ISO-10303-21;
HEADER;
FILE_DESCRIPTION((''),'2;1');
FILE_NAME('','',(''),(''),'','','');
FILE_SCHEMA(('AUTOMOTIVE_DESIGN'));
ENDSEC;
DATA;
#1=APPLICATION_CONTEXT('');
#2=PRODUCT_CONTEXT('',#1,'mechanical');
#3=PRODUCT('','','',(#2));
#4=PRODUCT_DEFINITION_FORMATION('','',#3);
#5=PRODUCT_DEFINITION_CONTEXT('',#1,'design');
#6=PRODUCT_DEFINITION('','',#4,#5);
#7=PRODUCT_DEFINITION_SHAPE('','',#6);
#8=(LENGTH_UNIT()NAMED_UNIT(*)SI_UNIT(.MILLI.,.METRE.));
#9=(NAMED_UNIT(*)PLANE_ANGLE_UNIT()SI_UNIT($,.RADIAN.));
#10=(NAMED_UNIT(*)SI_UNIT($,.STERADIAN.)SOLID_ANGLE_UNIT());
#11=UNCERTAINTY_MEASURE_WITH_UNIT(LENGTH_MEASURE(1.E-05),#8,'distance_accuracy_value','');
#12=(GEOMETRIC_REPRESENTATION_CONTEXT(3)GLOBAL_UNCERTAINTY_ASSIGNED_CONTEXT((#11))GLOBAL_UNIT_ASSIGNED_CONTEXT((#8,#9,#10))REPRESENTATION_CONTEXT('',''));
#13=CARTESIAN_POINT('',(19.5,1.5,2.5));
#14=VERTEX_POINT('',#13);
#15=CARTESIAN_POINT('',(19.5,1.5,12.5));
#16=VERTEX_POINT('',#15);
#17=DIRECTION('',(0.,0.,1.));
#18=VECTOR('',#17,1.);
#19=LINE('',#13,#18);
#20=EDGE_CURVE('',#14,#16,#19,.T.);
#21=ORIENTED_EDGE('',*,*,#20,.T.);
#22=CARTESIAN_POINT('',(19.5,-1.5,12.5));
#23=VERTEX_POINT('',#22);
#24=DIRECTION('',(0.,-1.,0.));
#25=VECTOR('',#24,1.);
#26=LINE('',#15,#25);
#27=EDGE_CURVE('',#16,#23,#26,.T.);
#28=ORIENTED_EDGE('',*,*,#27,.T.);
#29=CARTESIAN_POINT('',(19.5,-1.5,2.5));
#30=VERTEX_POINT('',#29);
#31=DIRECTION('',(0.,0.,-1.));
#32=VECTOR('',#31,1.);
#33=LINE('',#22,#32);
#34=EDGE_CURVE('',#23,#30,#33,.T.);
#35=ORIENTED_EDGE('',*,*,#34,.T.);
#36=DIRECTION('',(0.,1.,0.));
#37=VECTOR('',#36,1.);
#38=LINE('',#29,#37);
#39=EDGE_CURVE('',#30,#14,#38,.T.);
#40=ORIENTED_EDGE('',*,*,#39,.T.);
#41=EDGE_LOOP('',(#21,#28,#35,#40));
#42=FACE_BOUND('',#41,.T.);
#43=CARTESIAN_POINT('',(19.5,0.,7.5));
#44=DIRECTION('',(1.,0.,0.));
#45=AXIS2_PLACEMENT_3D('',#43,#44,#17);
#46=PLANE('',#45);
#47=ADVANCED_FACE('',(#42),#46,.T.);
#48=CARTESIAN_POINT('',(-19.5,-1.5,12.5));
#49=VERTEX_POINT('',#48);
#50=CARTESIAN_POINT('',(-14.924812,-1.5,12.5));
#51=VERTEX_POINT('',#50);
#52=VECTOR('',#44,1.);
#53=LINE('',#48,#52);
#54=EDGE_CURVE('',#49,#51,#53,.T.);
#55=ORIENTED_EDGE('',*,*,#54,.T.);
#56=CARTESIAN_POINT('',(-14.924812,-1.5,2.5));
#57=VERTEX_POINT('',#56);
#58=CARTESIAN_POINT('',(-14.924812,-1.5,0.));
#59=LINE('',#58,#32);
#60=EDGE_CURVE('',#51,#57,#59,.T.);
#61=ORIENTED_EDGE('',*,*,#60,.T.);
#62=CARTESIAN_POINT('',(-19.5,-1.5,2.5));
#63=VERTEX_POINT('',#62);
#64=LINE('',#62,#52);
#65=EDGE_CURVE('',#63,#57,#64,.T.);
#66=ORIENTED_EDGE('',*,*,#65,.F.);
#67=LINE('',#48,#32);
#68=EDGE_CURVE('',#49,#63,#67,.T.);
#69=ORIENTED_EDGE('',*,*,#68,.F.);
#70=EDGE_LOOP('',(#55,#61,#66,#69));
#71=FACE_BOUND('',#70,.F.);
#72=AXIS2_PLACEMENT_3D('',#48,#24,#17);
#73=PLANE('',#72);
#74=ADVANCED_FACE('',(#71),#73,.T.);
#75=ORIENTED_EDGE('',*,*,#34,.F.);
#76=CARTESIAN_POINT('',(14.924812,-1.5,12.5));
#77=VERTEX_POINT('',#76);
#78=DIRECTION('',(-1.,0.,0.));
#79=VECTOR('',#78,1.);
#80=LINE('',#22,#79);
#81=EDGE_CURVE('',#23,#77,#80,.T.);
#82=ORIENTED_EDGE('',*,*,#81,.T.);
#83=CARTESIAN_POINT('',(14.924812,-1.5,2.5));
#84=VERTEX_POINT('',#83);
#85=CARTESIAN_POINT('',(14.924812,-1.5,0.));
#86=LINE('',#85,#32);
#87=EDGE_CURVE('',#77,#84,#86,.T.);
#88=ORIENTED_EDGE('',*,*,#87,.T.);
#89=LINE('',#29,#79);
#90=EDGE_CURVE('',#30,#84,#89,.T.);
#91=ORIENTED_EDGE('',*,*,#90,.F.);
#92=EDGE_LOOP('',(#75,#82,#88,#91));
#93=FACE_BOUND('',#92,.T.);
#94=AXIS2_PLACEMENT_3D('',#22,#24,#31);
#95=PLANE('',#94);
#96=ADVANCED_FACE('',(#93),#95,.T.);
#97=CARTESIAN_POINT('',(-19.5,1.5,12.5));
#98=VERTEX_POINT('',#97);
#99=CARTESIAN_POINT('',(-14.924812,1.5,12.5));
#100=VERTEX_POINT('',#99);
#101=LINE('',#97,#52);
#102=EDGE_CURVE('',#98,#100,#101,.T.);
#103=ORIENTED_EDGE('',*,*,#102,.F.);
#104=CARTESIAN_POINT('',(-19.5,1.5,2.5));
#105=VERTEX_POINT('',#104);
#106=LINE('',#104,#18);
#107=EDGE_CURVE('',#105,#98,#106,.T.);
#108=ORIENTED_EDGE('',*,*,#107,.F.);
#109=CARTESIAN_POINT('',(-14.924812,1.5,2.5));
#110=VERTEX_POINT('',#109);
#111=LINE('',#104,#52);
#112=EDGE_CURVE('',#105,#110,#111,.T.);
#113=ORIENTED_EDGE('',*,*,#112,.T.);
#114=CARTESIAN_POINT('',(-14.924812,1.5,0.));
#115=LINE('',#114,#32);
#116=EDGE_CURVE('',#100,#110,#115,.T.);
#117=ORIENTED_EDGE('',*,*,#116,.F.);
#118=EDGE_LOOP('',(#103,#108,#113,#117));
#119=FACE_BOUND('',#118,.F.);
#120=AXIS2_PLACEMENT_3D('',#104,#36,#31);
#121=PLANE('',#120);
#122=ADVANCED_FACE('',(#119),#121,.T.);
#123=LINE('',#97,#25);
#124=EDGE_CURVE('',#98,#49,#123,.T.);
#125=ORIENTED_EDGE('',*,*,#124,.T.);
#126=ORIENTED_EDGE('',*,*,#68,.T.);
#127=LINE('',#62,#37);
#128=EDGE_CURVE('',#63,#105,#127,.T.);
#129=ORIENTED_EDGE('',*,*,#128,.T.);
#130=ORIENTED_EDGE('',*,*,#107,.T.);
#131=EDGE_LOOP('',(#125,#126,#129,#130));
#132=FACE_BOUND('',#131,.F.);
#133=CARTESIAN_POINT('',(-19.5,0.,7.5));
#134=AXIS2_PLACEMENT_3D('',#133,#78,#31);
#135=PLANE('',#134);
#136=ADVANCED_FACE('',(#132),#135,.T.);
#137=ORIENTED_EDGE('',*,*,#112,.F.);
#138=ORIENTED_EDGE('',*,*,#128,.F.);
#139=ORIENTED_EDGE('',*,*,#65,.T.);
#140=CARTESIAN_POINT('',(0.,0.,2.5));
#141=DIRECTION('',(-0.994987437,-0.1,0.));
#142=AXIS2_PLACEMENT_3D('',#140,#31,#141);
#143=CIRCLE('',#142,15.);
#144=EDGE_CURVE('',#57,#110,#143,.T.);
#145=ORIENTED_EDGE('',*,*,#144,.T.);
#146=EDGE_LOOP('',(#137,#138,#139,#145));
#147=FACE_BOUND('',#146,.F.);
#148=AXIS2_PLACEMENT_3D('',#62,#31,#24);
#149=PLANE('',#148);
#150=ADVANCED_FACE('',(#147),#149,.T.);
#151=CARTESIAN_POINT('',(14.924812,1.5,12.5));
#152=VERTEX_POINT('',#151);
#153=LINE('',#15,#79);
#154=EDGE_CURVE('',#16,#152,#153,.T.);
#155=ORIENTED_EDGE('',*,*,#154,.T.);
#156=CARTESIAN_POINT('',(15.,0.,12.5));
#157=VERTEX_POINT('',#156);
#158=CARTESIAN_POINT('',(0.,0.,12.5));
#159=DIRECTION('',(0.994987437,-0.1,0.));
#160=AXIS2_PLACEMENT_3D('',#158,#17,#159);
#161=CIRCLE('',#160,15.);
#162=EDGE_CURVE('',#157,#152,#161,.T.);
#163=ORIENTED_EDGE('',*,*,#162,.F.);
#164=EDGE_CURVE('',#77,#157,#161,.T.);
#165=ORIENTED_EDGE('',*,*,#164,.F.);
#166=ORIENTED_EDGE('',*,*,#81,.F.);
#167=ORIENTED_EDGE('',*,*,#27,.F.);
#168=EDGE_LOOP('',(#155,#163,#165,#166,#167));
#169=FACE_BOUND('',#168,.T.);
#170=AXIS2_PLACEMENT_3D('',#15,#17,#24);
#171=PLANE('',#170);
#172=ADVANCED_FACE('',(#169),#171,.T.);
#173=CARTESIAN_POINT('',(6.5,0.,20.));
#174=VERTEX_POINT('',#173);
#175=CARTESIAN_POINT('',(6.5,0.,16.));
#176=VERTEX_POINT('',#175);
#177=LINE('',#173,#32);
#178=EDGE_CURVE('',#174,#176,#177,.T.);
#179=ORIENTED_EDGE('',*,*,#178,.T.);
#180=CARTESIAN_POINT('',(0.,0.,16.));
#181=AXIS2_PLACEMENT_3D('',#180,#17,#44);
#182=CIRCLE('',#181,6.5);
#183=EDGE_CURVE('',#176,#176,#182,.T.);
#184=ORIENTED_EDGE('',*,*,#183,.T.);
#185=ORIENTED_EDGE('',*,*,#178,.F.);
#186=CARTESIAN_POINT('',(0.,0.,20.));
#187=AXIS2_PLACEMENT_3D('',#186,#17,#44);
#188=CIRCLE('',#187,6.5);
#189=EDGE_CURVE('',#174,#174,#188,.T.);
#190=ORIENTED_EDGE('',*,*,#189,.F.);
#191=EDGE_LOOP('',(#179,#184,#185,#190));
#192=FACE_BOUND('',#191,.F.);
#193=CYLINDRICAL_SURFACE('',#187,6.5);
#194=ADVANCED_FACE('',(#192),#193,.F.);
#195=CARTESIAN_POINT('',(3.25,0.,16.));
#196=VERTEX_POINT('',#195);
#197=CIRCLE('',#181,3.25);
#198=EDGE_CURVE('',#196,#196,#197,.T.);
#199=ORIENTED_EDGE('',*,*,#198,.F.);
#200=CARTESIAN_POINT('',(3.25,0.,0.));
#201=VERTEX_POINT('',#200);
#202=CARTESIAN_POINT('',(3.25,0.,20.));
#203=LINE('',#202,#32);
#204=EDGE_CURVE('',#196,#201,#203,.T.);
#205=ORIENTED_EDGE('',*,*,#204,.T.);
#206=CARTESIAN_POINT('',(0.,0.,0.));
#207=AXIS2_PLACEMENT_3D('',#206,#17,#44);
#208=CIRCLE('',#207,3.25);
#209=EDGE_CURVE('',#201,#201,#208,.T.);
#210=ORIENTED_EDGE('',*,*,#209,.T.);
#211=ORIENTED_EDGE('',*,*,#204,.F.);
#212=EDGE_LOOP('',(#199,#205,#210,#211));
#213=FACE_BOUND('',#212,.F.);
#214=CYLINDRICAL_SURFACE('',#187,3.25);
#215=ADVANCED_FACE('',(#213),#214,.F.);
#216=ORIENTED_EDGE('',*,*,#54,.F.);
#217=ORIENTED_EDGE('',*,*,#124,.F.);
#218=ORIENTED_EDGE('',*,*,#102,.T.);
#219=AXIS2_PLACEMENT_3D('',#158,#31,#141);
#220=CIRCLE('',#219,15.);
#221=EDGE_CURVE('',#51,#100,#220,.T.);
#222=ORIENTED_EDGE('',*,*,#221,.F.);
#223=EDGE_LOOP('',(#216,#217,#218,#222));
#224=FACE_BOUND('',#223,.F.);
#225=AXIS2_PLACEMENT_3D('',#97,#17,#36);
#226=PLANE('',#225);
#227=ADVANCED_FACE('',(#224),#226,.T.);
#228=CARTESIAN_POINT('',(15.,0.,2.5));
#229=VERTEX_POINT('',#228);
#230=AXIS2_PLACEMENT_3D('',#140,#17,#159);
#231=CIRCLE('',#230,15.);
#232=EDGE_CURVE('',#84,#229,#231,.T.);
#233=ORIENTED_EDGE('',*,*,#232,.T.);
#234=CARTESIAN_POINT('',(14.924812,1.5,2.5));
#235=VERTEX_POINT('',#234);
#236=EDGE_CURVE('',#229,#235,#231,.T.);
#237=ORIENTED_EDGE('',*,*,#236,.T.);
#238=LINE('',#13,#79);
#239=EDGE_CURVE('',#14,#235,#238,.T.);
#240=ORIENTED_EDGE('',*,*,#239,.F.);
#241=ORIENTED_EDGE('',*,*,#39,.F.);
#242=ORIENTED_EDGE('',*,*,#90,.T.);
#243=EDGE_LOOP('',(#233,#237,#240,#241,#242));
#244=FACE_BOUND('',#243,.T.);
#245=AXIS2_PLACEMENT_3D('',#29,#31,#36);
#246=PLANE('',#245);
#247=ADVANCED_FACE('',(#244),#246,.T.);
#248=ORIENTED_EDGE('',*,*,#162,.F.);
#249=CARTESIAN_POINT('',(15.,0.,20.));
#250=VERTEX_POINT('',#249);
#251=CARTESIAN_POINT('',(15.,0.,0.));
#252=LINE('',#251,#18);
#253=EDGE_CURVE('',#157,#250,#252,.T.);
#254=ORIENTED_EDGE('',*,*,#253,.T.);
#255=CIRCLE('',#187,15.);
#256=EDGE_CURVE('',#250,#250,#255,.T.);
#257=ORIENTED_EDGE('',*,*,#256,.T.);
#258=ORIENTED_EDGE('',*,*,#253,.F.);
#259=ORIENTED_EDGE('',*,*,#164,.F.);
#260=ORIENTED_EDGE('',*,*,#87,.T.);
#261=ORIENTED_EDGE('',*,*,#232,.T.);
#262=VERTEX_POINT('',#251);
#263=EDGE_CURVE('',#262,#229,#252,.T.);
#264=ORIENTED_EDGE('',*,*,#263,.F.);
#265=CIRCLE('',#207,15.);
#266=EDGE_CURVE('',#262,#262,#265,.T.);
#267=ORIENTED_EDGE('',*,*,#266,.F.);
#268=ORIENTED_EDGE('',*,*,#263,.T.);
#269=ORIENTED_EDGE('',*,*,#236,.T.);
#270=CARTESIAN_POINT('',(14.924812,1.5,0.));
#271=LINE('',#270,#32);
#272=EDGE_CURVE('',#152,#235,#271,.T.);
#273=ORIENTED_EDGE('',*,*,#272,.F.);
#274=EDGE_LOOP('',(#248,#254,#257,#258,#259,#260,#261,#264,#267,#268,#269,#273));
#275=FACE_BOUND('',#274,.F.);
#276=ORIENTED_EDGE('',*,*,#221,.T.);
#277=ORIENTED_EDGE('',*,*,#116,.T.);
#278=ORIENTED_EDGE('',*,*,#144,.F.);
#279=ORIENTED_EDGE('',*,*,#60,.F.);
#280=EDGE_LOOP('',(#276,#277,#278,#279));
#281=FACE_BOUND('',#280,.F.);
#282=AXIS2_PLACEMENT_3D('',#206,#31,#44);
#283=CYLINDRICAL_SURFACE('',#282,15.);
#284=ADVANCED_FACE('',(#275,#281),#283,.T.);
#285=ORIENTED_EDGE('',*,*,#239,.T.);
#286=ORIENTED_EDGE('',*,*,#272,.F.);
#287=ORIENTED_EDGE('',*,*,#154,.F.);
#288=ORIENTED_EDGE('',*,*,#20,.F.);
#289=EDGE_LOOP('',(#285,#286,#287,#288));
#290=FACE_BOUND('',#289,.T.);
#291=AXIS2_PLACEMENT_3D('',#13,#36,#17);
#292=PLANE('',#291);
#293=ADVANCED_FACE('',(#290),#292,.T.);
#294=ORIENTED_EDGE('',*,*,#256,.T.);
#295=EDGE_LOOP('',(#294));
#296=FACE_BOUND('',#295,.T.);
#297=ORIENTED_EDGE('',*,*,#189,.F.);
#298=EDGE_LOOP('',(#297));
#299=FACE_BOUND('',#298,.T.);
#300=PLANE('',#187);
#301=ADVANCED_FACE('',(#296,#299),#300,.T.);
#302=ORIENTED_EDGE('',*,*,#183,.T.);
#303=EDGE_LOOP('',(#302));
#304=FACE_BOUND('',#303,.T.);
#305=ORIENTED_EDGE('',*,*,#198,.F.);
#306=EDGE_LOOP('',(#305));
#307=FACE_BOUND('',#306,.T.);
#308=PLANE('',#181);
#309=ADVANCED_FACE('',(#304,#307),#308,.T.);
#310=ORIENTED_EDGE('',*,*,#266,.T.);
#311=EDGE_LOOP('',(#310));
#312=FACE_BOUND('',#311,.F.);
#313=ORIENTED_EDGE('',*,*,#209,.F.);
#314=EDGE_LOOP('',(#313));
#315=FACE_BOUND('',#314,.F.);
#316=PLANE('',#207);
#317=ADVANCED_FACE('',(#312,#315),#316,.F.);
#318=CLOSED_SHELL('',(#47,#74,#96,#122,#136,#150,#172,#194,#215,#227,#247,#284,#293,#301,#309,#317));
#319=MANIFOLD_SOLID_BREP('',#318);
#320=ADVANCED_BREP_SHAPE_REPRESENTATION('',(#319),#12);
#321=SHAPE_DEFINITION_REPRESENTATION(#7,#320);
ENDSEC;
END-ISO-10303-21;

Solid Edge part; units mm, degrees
sketch "Sketch1" plane through (0, 0, 0) normal (0, 0, 1) x (1, 0, 0)
  circle A0 centre (0, 0) radius 15
  dimension "D1" = 30
extrude "Protrusion1" add sketch "Sketch1" along normal blind 20
sketch "Sketch2" plane through (0, 0, 20) normal (0, 0, 1) x (1, 0, 0)
  circle A0 centre (0, 0) radius 3.25
  dimension "D1" = 6.5
extrude "Cutout1" cut sketch "Sketch2" against normal through all
sketch "Sketch3" plane through (19.5, 0, 0) normal (1, 0, 0) x (0, 1, 0)
  line L0 (-1.5, 2.5) -> (1.5, 2.5)
  line L1 (1.5, 2.5) -> (1.5, 12.5)
  line L2 (1.5, 12.5) -> (-1.5, 12.5)
  line L3 (-1.5, 12.5) -> (-1.5, 2.5)
  dimension "D1" = 3
  dimension "D2" = 10
  dimension "D3" = 7.5
extrude "Appoggio_laterale_Profile_Plane1" add sketch "Sketch3" against normal up to next
mirror "Mirror1" about plane through (0, 0, 0) normal (1, 0, 0) of "Appoggio_laterale_Profile_Plane1"
sketch "Sketch4" plane through (0, 0, 20) normal (0, 0, 1) x (1, 0, 0)
  circle A0 centre (0, 0) radius 6.5
  dimension "D1" = 13
extrude "ScavoEstrusione_2" cut sketch "Sketch4" against normal blind 4
